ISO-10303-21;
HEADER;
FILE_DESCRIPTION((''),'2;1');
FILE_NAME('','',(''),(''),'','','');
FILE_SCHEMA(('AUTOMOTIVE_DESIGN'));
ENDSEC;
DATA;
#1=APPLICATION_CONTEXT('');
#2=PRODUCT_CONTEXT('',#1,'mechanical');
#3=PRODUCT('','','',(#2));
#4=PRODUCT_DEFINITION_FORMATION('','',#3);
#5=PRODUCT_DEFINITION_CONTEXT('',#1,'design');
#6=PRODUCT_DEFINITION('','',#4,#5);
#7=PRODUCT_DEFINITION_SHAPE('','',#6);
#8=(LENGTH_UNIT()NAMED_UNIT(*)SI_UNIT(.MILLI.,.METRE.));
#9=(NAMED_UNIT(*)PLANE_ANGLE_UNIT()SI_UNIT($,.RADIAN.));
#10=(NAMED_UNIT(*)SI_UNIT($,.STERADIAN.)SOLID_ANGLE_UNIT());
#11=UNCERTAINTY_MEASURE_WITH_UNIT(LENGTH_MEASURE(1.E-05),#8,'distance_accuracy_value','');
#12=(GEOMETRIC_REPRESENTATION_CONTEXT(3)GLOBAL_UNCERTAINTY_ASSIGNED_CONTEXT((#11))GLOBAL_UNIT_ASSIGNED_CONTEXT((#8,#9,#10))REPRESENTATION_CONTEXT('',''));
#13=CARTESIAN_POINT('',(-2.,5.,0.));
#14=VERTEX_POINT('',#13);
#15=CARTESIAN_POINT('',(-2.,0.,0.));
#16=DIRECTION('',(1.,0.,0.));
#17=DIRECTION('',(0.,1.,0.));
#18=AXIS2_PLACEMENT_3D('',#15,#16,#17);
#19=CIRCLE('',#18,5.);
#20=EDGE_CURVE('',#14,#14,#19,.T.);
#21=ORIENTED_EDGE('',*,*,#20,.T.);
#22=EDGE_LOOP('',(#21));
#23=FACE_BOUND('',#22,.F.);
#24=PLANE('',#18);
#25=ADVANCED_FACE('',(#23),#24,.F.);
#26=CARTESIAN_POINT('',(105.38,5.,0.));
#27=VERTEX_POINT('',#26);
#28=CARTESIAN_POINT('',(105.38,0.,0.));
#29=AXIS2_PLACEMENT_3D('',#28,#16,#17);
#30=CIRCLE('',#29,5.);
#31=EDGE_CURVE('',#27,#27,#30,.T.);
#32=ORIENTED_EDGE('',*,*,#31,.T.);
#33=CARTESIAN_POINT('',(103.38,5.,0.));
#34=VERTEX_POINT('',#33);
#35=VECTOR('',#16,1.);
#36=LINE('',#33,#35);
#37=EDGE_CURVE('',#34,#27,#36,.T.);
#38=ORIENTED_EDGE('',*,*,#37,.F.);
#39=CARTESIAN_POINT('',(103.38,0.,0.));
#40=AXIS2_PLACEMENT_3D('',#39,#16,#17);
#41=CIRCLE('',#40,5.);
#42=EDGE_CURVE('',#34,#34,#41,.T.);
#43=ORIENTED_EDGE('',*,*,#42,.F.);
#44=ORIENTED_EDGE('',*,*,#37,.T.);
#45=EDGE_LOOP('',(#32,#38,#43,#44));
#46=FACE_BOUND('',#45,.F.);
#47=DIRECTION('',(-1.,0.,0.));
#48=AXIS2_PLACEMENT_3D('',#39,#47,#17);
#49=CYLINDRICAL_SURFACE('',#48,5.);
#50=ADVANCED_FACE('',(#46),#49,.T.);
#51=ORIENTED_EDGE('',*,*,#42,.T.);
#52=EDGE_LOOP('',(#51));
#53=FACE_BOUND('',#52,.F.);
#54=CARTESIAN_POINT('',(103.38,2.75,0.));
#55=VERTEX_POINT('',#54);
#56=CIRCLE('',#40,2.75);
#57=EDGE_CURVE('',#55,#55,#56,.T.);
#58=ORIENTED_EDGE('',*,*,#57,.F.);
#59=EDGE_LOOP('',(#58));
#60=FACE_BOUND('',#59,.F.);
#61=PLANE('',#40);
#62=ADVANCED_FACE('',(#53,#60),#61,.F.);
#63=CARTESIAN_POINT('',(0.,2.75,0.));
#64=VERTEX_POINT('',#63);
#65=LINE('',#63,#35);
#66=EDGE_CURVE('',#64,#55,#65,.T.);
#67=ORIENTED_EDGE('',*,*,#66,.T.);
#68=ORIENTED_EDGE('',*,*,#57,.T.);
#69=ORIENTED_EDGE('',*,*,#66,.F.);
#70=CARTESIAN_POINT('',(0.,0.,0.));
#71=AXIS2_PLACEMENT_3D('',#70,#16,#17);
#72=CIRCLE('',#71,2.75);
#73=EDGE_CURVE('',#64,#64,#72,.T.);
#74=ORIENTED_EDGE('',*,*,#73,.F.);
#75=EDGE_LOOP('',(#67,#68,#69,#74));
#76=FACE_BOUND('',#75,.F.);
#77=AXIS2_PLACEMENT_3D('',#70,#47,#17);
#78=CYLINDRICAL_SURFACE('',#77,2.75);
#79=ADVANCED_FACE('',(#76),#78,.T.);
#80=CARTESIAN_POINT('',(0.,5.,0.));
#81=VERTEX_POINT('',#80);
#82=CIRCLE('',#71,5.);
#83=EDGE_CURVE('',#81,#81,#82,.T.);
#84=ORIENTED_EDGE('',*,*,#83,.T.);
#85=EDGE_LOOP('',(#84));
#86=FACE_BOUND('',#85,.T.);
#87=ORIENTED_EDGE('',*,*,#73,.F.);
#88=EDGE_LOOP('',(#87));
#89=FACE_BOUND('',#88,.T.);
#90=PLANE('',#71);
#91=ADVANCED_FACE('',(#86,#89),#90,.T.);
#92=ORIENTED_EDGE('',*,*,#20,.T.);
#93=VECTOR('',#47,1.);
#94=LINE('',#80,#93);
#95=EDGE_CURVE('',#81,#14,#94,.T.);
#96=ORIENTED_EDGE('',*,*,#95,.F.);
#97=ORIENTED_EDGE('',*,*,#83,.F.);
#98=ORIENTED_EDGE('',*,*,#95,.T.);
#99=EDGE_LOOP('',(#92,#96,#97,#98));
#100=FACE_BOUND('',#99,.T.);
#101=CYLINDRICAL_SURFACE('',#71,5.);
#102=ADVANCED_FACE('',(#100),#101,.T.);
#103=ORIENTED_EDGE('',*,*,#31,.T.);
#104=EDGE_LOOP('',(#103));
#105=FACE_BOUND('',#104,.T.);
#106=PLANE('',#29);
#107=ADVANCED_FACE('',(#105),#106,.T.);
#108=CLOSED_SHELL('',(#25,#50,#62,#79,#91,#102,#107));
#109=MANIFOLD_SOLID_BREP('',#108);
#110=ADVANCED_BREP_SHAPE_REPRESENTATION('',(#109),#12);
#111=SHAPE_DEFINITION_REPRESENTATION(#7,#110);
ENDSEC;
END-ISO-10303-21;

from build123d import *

# Parameters (mm, degrees)
F0_R     = 2.75
F1_DEPTH = 103.38
F2_R     = 5
F3_DEPTH = 2
F5_R     = 5
F6_DEPTH = 2


with BuildPart() as f1:
    # F0 (on Right) → F1 (new body)
    with BuildSketch(Plane.YZ):
        Circle(F0_R)
    extrude(amount=F1_DEPTH)

    # F2 (on Right) → F3 (join)
    with BuildSketch(Plane.YZ):
        Circle(F2_R)
    extrude(amount=-F3_DEPTH)

    # F5 (on offset) → F6 (join)
    with BuildSketch(Plane.YZ.offset(103.38)):
        Circle(F5_R)
    extrude(amount=F6_DEPTH)


solid = f1.part
